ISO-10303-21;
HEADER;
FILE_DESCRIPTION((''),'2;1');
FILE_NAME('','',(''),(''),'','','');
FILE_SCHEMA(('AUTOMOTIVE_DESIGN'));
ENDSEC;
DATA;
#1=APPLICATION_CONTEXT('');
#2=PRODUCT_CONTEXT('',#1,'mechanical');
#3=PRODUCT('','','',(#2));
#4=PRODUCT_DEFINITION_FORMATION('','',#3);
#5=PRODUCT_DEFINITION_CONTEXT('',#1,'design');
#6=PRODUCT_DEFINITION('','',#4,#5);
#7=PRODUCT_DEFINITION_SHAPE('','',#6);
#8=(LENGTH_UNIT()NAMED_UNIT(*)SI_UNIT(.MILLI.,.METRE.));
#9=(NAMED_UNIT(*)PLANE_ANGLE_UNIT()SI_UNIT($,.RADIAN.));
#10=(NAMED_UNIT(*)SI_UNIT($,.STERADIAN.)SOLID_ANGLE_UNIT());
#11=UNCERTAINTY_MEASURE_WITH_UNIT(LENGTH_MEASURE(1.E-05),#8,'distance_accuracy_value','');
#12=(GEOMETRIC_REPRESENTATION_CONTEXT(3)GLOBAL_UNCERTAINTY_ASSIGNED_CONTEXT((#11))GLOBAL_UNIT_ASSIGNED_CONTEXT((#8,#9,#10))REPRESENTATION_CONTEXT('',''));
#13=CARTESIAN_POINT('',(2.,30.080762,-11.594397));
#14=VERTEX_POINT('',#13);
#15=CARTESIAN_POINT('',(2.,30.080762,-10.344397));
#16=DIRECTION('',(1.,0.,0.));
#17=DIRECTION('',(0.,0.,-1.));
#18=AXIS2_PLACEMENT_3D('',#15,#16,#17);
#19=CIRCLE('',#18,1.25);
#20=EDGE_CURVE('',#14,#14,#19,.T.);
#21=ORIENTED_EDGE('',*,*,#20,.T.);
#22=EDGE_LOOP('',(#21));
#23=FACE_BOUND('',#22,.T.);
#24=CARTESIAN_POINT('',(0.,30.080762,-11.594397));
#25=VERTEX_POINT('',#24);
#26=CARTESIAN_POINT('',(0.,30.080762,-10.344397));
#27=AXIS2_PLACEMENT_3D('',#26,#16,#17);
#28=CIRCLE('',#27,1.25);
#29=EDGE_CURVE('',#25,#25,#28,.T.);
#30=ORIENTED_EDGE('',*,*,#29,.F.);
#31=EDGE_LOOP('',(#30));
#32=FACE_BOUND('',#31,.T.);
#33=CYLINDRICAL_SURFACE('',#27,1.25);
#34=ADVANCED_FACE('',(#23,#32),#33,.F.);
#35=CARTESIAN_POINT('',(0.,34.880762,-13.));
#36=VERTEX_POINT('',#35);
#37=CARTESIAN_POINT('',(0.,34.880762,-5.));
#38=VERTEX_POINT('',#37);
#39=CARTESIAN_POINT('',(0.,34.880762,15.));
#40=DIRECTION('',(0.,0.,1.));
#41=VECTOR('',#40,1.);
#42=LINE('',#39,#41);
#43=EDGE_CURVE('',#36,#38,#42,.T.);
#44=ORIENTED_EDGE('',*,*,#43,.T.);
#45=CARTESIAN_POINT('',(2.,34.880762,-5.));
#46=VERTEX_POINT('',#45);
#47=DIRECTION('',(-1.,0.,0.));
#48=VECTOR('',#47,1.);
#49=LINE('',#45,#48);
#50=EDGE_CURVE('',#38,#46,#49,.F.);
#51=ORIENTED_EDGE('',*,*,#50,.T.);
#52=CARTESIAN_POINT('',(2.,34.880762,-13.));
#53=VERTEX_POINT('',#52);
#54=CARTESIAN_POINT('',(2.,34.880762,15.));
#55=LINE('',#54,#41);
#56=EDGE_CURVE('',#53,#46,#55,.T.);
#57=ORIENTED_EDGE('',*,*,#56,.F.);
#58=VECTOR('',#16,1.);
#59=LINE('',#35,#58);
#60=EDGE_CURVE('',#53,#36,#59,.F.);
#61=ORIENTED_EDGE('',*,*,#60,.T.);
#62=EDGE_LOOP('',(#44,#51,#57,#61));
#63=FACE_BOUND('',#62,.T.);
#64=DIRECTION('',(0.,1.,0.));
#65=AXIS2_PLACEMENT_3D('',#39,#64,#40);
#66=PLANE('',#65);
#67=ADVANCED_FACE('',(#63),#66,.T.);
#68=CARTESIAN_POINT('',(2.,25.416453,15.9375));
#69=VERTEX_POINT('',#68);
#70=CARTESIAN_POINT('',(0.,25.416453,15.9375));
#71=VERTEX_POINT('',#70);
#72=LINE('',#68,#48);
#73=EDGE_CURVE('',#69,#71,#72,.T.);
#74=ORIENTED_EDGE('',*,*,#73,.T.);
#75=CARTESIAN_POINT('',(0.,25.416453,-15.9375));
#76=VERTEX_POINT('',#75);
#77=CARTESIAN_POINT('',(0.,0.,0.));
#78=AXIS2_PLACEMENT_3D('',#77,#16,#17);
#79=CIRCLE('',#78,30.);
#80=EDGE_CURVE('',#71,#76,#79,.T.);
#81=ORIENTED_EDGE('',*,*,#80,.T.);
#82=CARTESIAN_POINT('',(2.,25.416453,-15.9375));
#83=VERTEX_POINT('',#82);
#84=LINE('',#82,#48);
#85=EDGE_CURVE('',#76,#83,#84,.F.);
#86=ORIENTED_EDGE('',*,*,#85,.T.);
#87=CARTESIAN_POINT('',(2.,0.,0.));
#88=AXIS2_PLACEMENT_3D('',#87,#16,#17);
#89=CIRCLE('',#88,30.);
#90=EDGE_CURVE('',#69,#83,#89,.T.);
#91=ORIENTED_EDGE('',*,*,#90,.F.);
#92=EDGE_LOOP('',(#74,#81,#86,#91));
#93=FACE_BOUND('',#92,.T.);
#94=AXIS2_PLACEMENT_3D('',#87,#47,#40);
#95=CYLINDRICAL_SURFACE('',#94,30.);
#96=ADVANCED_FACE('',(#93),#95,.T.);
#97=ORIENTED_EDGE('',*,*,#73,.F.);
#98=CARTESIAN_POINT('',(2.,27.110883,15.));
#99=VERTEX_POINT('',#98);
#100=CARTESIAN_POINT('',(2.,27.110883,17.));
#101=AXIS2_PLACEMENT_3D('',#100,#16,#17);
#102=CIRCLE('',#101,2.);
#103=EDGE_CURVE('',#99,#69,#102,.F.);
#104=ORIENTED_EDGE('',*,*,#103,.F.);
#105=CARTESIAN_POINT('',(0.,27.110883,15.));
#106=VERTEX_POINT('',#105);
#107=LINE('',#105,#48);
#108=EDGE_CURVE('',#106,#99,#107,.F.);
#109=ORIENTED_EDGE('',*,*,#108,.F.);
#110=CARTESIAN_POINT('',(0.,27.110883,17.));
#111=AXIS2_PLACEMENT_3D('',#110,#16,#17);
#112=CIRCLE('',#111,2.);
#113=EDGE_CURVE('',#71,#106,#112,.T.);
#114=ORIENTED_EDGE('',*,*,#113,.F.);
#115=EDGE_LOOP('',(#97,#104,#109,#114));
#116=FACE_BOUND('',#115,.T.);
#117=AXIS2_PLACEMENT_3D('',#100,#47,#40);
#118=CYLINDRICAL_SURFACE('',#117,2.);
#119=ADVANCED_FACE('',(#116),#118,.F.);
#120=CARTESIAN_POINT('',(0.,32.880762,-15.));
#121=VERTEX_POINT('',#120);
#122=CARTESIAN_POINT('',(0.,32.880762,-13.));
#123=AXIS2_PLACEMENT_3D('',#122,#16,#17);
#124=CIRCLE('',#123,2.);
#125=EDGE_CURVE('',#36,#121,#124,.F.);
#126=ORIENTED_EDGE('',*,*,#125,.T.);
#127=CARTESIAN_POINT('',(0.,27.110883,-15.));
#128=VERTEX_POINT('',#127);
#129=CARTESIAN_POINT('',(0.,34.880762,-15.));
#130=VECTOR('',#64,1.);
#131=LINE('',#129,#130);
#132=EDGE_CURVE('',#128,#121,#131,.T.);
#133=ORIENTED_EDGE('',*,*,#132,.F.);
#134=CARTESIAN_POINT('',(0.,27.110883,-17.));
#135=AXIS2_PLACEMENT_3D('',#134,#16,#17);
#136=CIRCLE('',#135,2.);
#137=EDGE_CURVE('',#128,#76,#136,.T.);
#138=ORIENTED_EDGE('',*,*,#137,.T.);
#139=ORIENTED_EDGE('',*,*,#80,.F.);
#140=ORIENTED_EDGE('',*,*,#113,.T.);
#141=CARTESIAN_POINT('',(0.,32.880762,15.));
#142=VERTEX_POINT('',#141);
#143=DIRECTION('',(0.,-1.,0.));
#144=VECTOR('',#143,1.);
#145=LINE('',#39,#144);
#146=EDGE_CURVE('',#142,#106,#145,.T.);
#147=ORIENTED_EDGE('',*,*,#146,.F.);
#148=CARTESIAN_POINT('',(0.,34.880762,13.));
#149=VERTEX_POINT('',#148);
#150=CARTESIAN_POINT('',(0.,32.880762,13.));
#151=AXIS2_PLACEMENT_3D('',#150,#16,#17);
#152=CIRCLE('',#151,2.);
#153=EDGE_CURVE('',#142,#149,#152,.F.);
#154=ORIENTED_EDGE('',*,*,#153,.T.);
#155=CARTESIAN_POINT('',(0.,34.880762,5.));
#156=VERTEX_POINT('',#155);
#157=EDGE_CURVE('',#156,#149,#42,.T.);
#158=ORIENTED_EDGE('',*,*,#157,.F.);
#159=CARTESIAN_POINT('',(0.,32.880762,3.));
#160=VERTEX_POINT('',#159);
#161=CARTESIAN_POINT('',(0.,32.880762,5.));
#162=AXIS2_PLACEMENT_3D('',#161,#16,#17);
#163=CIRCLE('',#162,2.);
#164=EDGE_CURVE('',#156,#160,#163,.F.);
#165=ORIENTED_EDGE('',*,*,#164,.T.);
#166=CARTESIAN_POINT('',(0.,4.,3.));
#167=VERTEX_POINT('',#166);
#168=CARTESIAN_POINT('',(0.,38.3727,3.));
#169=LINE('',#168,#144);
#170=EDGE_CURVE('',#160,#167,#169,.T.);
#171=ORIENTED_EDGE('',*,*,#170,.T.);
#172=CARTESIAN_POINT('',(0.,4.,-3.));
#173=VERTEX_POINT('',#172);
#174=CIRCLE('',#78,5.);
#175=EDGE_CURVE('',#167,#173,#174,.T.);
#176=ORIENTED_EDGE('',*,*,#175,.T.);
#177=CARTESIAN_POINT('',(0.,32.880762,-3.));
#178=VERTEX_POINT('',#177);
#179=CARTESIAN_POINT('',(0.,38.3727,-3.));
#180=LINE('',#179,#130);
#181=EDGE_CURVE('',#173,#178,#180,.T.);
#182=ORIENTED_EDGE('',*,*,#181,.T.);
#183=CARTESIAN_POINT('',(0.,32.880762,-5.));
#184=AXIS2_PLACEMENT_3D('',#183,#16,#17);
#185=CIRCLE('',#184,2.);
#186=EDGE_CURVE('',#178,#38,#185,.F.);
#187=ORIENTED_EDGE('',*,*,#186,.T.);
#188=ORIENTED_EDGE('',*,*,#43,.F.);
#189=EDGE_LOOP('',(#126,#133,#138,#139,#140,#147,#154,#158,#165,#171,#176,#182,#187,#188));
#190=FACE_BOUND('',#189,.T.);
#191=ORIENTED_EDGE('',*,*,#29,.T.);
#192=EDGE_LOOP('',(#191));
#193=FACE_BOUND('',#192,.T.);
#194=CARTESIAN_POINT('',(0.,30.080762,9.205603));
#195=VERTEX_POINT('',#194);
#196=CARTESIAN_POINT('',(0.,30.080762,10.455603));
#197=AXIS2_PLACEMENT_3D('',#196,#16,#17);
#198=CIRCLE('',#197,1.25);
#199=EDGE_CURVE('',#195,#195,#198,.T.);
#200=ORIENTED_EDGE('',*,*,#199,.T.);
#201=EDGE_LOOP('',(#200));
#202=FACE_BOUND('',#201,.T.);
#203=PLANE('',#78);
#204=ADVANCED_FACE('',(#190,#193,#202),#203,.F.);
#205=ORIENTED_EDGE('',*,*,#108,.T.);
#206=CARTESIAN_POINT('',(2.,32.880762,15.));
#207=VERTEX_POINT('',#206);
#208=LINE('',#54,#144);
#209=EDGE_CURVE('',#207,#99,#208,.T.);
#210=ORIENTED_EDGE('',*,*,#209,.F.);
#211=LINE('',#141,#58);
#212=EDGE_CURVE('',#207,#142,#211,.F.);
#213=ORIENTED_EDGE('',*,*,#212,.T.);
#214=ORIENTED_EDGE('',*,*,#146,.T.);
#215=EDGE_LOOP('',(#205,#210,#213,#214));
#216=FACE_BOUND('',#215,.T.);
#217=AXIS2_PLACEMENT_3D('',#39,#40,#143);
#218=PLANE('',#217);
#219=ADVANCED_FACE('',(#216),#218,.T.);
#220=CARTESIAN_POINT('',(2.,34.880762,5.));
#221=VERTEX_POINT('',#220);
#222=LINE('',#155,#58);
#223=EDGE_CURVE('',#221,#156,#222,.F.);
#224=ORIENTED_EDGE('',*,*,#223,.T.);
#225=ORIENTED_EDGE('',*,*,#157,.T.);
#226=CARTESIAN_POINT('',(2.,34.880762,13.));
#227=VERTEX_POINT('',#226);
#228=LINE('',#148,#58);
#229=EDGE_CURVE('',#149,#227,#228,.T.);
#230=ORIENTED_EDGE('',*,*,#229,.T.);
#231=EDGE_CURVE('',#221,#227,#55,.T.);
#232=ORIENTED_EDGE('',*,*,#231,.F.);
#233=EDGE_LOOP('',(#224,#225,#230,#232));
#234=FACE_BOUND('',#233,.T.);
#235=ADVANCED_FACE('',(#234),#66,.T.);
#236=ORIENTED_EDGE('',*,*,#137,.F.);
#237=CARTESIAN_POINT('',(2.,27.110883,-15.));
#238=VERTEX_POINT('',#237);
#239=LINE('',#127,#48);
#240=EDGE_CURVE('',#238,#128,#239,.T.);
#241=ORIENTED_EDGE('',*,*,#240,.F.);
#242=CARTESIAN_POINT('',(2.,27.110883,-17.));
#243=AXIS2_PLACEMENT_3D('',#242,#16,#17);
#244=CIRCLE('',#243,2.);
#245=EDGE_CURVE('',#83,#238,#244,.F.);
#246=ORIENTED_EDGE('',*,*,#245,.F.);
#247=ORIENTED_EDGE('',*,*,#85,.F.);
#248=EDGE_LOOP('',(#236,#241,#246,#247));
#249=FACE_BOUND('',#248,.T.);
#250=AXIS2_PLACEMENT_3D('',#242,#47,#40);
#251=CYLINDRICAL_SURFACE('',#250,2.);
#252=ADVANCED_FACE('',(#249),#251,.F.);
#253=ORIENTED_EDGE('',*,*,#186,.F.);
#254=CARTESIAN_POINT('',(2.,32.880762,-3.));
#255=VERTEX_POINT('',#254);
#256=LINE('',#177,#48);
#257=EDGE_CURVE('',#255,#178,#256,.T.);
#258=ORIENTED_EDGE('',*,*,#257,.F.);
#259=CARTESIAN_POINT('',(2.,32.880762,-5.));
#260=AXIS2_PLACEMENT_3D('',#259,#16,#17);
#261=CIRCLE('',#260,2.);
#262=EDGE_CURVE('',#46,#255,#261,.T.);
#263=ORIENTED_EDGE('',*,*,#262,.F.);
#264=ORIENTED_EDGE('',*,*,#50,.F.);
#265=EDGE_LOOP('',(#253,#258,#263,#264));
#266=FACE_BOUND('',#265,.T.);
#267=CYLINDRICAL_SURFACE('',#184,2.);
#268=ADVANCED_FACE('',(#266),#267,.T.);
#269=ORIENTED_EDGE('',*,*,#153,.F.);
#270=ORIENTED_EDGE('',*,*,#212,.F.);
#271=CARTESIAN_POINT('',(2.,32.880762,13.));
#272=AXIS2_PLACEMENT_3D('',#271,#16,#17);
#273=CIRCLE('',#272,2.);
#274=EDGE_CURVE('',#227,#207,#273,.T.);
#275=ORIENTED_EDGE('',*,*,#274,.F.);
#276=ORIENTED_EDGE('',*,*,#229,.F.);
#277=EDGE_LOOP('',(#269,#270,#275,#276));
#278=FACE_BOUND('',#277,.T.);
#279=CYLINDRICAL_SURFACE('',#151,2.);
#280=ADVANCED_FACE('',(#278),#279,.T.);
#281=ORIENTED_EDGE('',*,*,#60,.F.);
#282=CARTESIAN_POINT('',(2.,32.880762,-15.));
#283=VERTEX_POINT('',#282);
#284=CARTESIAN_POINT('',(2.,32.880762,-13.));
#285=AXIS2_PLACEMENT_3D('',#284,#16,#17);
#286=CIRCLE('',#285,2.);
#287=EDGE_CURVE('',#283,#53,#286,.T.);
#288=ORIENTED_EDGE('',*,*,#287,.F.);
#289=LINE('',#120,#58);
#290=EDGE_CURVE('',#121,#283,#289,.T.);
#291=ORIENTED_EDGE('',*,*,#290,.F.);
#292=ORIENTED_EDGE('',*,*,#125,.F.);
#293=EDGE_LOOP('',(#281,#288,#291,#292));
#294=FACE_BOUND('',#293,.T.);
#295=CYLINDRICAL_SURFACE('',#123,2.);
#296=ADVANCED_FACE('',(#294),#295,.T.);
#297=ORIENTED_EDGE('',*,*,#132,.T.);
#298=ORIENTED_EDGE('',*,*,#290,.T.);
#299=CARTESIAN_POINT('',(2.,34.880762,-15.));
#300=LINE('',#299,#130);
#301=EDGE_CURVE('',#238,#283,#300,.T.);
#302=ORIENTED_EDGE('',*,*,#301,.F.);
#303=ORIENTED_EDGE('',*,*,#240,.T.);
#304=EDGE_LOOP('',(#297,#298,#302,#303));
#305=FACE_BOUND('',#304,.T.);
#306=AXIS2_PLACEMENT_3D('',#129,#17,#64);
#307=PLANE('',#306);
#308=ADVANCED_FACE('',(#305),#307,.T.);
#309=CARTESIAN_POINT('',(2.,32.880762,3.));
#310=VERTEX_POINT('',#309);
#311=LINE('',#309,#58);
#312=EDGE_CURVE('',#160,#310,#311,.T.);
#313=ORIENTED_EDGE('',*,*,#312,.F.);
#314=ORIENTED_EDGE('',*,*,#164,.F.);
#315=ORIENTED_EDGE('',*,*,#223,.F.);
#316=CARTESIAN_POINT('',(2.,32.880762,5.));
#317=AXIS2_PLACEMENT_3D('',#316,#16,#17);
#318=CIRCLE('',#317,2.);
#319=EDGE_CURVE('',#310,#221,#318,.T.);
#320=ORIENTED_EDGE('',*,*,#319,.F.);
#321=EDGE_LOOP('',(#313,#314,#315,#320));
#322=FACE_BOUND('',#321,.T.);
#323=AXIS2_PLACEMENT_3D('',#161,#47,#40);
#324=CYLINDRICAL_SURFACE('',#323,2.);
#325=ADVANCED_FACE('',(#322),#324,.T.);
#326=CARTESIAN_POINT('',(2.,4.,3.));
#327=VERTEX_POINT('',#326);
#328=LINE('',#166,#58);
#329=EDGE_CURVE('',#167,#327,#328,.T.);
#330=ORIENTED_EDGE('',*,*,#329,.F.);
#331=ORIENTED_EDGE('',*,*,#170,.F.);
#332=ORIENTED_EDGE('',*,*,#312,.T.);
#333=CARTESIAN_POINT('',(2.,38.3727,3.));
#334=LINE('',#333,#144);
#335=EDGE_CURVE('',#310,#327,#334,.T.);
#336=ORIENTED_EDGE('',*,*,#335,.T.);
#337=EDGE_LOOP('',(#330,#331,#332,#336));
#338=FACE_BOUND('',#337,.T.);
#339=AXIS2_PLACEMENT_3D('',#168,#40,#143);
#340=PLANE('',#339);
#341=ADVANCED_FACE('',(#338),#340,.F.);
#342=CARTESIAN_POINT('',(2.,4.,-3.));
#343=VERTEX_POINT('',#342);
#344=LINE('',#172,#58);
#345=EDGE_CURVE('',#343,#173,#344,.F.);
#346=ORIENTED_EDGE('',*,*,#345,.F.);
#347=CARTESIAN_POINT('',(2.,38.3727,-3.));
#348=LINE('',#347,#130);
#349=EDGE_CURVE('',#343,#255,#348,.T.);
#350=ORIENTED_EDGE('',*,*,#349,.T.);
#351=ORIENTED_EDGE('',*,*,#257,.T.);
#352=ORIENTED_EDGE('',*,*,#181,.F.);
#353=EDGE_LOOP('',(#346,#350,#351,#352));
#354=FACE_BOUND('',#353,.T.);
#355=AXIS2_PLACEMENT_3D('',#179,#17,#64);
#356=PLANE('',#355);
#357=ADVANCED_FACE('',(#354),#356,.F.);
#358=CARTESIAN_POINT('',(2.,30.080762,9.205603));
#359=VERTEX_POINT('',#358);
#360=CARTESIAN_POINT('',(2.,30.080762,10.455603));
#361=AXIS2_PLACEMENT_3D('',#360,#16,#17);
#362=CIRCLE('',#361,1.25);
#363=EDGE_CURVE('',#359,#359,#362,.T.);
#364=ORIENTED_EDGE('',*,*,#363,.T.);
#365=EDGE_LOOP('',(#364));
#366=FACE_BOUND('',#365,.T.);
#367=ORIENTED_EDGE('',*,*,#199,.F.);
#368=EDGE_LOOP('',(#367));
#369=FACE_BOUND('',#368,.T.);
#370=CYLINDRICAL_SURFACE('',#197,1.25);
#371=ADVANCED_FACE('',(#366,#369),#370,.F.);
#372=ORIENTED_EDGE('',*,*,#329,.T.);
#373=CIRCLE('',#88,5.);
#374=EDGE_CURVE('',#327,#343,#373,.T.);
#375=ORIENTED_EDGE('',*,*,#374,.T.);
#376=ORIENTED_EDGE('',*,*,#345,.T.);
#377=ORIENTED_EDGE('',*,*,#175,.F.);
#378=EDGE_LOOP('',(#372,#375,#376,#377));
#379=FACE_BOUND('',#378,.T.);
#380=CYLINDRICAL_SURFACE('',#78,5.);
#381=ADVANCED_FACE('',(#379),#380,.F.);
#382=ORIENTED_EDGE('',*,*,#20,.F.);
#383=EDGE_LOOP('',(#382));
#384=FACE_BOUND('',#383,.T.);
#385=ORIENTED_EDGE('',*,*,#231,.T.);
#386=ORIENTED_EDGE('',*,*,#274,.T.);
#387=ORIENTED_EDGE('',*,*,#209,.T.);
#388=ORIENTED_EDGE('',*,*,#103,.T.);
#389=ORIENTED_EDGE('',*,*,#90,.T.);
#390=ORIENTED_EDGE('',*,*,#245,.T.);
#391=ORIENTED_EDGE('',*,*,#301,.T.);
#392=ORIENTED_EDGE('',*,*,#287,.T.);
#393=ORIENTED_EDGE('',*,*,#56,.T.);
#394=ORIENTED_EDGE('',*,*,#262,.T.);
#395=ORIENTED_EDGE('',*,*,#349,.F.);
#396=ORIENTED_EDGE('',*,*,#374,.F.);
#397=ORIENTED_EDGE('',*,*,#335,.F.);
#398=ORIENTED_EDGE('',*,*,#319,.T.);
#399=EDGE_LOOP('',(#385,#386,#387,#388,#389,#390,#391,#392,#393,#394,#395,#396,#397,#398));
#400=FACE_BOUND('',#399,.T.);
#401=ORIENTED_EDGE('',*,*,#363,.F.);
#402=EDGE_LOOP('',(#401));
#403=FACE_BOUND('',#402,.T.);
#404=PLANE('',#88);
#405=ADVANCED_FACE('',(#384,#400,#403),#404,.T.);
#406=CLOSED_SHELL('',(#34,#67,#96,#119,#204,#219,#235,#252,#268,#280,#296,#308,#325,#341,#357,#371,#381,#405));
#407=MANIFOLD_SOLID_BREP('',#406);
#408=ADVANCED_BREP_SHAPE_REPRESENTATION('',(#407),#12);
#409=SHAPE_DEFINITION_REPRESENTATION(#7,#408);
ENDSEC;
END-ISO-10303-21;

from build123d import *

# Parameters (mm, degrees)
SKETCH_1_R          = 30
EXTRUDE_1_DEPTH     = 2
SKETCH_2_R          = 5
CUT_EXTRUDE_1_DEPTH = 2
SKETCH_5_W          = 30
SKETCH_5_H          = 8.9
EXTRUDE_2_DEPTH     = 2
SKETCH_4_W          = 6
SKETCH_4_H          = 36.621783582
CUT_EXTRUDE_3_DEPTH = 2
FILLET_1_R          = 2
SKETCH_6_R          = 1.25
CUT_EXTRUDE_4_DEPTH = 2


with BuildPart() as part:
    # 草图1 → 凸台-拉伸1 (new body)
    with BuildSketch(Plane(origin=(0, 0, 0), x_dir=(0, 0, -1), z_dir=(1, 0, 0))):
        Circle(SKETCH_1_R)
    extrude(amount=EXTRUDE_1_DEPTH)

    # 草图2 → 切除-拉伸1 (cut)
    with BuildSketch(Plane(origin=(2, 0, 0), x_dir=(0, 0, -1), z_dir=(1, 0, 0))):
        Circle(SKETCH_2_R)
    extrude(amount=-CUT_EXTRUDE_1_DEPTH, mode=Mode.SUBTRACT)

    # 草图5 → 凸台-拉伸2 (add)
    with BuildSketch(Plane(origin=(2, 0, 0), x_dir=(0, 0, -1), z_dir=(1, 0, 0))):
        with Locations((0, 30.430762114)):
            Rectangle(SKETCH_5_W, SKETCH_5_H)
    extrude(amount=-EXTRUDE_2_DEPTH)

    # 草图4 → 切除-拉伸3 (cut)
    with BuildSketch(Plane(origin=(2, 0, 0), x_dir=(0, 0, -1), z_dir=(1, 0, 0))):
        with Locations((0, 20.061807767)):
            Rectangle(SKETCH_4_W, SKETCH_4_H)
    extrude(amount=-CUT_EXTRUDE_3_DEPTH, mode=Mode.SUBTRACT)

    # 圆角1
    fillet_1_edges = [part.edges().sort_by_distance(p)[0] for p in [
        (1, 25.980762114, 15),
        (1, 34.880762114, 15),
        (1, 34.880762114, -15),
        (1, 25.980762114, -15),
        (1, 34.880762114, -3),
        (1, 34.880762114, 3),
    ]]
    fillet(fillet_1_edges, radius=FILLET_1_R)

    # 草图6 → 切除-拉伸4 (cut)
    with BuildSketch(Plane(origin=(2, 0, 0), x_dir=(0, 0, -1), z_dir=(1, 0, 0))):
        with Locations((-10.455602866, 30.080762114)):
            Circle(SKETCH_6_R)
        with Locations((10.344397134, 30.080762114)):
            Circle(SKETCH_6_R)
    extrude(amount=-CUT_EXTRUDE_4_DEPTH, mode=Mode.SUBTRACT)


solid = part.part
